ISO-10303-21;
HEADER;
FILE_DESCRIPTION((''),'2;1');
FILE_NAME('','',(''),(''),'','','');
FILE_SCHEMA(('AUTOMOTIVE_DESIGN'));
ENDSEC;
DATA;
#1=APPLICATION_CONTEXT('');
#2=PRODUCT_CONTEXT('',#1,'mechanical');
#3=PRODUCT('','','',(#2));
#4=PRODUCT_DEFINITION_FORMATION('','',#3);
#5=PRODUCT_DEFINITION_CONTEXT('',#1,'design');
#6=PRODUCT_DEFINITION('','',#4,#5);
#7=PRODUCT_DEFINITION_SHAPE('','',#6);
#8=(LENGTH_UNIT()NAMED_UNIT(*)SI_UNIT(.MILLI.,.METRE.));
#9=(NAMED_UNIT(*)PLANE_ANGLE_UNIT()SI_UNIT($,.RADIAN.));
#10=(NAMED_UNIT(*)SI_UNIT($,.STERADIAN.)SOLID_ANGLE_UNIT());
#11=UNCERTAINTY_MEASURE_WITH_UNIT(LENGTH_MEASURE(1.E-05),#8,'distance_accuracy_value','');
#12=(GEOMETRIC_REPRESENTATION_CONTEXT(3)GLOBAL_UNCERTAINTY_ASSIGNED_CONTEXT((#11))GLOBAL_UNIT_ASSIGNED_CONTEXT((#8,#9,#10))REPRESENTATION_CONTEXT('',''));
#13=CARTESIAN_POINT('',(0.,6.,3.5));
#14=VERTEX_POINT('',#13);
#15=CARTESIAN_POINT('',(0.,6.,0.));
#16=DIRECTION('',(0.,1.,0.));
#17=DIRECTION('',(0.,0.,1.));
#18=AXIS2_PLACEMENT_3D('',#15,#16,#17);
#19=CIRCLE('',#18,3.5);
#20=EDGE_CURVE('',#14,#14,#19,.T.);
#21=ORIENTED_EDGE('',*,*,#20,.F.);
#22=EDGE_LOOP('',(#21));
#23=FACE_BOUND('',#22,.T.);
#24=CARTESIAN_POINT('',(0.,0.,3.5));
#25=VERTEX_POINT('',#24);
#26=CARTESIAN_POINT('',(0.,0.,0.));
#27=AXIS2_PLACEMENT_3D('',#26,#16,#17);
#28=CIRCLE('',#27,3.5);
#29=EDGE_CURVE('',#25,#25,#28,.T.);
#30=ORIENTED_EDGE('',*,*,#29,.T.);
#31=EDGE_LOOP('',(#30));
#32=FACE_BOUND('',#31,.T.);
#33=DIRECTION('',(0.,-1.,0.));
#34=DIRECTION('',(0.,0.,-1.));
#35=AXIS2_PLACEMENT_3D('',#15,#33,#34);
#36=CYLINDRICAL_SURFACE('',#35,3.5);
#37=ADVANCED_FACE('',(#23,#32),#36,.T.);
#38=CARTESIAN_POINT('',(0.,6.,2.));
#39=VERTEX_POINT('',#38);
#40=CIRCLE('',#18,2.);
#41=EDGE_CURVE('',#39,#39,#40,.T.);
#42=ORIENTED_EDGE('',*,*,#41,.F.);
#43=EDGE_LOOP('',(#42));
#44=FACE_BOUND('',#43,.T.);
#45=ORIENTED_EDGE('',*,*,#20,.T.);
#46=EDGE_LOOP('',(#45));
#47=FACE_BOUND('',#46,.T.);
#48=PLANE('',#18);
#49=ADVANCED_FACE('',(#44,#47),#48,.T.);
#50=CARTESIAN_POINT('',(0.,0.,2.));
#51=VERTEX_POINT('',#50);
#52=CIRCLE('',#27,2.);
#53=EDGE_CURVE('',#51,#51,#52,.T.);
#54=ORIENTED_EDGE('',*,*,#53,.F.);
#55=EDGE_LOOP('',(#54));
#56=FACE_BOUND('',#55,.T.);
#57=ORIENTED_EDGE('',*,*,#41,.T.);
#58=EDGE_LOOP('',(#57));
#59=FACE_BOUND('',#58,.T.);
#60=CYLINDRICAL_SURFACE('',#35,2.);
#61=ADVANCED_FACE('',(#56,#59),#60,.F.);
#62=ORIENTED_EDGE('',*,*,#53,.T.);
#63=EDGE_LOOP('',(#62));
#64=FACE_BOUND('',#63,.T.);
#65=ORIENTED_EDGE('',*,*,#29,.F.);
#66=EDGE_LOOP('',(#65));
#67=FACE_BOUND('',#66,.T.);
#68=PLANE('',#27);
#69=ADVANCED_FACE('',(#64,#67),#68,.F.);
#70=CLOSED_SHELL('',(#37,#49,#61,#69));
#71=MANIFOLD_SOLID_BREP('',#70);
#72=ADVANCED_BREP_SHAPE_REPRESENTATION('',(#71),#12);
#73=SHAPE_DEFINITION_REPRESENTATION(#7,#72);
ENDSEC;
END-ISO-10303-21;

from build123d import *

# Parameters (mm, degrees)
SKETCH_1_R      = 3.5
SKETCH_1_R_2    = 2
EXTRUDE_1_DEPTH = 6


with BuildPart() as part:
    # Эскиз1 → Бобышка-Вытянуть1 (new body)
    with BuildSketch(Plane(origin=(0, 0, 0), x_dir=(1, 0, 0), z_dir=(0, 1, 0))):
        with Locations(Location((0, 0, 0), (0, 0, 270))):
            Circle(SKETCH_1_R)
        with Locations(Location((0, 0, 0), (0, 0, 270))):
            Circle(SKETCH_1_R_2, mode=Mode.SUBTRACT)
    extrude(amount=EXTRUDE_1_DEPTH)


solid = part.part
